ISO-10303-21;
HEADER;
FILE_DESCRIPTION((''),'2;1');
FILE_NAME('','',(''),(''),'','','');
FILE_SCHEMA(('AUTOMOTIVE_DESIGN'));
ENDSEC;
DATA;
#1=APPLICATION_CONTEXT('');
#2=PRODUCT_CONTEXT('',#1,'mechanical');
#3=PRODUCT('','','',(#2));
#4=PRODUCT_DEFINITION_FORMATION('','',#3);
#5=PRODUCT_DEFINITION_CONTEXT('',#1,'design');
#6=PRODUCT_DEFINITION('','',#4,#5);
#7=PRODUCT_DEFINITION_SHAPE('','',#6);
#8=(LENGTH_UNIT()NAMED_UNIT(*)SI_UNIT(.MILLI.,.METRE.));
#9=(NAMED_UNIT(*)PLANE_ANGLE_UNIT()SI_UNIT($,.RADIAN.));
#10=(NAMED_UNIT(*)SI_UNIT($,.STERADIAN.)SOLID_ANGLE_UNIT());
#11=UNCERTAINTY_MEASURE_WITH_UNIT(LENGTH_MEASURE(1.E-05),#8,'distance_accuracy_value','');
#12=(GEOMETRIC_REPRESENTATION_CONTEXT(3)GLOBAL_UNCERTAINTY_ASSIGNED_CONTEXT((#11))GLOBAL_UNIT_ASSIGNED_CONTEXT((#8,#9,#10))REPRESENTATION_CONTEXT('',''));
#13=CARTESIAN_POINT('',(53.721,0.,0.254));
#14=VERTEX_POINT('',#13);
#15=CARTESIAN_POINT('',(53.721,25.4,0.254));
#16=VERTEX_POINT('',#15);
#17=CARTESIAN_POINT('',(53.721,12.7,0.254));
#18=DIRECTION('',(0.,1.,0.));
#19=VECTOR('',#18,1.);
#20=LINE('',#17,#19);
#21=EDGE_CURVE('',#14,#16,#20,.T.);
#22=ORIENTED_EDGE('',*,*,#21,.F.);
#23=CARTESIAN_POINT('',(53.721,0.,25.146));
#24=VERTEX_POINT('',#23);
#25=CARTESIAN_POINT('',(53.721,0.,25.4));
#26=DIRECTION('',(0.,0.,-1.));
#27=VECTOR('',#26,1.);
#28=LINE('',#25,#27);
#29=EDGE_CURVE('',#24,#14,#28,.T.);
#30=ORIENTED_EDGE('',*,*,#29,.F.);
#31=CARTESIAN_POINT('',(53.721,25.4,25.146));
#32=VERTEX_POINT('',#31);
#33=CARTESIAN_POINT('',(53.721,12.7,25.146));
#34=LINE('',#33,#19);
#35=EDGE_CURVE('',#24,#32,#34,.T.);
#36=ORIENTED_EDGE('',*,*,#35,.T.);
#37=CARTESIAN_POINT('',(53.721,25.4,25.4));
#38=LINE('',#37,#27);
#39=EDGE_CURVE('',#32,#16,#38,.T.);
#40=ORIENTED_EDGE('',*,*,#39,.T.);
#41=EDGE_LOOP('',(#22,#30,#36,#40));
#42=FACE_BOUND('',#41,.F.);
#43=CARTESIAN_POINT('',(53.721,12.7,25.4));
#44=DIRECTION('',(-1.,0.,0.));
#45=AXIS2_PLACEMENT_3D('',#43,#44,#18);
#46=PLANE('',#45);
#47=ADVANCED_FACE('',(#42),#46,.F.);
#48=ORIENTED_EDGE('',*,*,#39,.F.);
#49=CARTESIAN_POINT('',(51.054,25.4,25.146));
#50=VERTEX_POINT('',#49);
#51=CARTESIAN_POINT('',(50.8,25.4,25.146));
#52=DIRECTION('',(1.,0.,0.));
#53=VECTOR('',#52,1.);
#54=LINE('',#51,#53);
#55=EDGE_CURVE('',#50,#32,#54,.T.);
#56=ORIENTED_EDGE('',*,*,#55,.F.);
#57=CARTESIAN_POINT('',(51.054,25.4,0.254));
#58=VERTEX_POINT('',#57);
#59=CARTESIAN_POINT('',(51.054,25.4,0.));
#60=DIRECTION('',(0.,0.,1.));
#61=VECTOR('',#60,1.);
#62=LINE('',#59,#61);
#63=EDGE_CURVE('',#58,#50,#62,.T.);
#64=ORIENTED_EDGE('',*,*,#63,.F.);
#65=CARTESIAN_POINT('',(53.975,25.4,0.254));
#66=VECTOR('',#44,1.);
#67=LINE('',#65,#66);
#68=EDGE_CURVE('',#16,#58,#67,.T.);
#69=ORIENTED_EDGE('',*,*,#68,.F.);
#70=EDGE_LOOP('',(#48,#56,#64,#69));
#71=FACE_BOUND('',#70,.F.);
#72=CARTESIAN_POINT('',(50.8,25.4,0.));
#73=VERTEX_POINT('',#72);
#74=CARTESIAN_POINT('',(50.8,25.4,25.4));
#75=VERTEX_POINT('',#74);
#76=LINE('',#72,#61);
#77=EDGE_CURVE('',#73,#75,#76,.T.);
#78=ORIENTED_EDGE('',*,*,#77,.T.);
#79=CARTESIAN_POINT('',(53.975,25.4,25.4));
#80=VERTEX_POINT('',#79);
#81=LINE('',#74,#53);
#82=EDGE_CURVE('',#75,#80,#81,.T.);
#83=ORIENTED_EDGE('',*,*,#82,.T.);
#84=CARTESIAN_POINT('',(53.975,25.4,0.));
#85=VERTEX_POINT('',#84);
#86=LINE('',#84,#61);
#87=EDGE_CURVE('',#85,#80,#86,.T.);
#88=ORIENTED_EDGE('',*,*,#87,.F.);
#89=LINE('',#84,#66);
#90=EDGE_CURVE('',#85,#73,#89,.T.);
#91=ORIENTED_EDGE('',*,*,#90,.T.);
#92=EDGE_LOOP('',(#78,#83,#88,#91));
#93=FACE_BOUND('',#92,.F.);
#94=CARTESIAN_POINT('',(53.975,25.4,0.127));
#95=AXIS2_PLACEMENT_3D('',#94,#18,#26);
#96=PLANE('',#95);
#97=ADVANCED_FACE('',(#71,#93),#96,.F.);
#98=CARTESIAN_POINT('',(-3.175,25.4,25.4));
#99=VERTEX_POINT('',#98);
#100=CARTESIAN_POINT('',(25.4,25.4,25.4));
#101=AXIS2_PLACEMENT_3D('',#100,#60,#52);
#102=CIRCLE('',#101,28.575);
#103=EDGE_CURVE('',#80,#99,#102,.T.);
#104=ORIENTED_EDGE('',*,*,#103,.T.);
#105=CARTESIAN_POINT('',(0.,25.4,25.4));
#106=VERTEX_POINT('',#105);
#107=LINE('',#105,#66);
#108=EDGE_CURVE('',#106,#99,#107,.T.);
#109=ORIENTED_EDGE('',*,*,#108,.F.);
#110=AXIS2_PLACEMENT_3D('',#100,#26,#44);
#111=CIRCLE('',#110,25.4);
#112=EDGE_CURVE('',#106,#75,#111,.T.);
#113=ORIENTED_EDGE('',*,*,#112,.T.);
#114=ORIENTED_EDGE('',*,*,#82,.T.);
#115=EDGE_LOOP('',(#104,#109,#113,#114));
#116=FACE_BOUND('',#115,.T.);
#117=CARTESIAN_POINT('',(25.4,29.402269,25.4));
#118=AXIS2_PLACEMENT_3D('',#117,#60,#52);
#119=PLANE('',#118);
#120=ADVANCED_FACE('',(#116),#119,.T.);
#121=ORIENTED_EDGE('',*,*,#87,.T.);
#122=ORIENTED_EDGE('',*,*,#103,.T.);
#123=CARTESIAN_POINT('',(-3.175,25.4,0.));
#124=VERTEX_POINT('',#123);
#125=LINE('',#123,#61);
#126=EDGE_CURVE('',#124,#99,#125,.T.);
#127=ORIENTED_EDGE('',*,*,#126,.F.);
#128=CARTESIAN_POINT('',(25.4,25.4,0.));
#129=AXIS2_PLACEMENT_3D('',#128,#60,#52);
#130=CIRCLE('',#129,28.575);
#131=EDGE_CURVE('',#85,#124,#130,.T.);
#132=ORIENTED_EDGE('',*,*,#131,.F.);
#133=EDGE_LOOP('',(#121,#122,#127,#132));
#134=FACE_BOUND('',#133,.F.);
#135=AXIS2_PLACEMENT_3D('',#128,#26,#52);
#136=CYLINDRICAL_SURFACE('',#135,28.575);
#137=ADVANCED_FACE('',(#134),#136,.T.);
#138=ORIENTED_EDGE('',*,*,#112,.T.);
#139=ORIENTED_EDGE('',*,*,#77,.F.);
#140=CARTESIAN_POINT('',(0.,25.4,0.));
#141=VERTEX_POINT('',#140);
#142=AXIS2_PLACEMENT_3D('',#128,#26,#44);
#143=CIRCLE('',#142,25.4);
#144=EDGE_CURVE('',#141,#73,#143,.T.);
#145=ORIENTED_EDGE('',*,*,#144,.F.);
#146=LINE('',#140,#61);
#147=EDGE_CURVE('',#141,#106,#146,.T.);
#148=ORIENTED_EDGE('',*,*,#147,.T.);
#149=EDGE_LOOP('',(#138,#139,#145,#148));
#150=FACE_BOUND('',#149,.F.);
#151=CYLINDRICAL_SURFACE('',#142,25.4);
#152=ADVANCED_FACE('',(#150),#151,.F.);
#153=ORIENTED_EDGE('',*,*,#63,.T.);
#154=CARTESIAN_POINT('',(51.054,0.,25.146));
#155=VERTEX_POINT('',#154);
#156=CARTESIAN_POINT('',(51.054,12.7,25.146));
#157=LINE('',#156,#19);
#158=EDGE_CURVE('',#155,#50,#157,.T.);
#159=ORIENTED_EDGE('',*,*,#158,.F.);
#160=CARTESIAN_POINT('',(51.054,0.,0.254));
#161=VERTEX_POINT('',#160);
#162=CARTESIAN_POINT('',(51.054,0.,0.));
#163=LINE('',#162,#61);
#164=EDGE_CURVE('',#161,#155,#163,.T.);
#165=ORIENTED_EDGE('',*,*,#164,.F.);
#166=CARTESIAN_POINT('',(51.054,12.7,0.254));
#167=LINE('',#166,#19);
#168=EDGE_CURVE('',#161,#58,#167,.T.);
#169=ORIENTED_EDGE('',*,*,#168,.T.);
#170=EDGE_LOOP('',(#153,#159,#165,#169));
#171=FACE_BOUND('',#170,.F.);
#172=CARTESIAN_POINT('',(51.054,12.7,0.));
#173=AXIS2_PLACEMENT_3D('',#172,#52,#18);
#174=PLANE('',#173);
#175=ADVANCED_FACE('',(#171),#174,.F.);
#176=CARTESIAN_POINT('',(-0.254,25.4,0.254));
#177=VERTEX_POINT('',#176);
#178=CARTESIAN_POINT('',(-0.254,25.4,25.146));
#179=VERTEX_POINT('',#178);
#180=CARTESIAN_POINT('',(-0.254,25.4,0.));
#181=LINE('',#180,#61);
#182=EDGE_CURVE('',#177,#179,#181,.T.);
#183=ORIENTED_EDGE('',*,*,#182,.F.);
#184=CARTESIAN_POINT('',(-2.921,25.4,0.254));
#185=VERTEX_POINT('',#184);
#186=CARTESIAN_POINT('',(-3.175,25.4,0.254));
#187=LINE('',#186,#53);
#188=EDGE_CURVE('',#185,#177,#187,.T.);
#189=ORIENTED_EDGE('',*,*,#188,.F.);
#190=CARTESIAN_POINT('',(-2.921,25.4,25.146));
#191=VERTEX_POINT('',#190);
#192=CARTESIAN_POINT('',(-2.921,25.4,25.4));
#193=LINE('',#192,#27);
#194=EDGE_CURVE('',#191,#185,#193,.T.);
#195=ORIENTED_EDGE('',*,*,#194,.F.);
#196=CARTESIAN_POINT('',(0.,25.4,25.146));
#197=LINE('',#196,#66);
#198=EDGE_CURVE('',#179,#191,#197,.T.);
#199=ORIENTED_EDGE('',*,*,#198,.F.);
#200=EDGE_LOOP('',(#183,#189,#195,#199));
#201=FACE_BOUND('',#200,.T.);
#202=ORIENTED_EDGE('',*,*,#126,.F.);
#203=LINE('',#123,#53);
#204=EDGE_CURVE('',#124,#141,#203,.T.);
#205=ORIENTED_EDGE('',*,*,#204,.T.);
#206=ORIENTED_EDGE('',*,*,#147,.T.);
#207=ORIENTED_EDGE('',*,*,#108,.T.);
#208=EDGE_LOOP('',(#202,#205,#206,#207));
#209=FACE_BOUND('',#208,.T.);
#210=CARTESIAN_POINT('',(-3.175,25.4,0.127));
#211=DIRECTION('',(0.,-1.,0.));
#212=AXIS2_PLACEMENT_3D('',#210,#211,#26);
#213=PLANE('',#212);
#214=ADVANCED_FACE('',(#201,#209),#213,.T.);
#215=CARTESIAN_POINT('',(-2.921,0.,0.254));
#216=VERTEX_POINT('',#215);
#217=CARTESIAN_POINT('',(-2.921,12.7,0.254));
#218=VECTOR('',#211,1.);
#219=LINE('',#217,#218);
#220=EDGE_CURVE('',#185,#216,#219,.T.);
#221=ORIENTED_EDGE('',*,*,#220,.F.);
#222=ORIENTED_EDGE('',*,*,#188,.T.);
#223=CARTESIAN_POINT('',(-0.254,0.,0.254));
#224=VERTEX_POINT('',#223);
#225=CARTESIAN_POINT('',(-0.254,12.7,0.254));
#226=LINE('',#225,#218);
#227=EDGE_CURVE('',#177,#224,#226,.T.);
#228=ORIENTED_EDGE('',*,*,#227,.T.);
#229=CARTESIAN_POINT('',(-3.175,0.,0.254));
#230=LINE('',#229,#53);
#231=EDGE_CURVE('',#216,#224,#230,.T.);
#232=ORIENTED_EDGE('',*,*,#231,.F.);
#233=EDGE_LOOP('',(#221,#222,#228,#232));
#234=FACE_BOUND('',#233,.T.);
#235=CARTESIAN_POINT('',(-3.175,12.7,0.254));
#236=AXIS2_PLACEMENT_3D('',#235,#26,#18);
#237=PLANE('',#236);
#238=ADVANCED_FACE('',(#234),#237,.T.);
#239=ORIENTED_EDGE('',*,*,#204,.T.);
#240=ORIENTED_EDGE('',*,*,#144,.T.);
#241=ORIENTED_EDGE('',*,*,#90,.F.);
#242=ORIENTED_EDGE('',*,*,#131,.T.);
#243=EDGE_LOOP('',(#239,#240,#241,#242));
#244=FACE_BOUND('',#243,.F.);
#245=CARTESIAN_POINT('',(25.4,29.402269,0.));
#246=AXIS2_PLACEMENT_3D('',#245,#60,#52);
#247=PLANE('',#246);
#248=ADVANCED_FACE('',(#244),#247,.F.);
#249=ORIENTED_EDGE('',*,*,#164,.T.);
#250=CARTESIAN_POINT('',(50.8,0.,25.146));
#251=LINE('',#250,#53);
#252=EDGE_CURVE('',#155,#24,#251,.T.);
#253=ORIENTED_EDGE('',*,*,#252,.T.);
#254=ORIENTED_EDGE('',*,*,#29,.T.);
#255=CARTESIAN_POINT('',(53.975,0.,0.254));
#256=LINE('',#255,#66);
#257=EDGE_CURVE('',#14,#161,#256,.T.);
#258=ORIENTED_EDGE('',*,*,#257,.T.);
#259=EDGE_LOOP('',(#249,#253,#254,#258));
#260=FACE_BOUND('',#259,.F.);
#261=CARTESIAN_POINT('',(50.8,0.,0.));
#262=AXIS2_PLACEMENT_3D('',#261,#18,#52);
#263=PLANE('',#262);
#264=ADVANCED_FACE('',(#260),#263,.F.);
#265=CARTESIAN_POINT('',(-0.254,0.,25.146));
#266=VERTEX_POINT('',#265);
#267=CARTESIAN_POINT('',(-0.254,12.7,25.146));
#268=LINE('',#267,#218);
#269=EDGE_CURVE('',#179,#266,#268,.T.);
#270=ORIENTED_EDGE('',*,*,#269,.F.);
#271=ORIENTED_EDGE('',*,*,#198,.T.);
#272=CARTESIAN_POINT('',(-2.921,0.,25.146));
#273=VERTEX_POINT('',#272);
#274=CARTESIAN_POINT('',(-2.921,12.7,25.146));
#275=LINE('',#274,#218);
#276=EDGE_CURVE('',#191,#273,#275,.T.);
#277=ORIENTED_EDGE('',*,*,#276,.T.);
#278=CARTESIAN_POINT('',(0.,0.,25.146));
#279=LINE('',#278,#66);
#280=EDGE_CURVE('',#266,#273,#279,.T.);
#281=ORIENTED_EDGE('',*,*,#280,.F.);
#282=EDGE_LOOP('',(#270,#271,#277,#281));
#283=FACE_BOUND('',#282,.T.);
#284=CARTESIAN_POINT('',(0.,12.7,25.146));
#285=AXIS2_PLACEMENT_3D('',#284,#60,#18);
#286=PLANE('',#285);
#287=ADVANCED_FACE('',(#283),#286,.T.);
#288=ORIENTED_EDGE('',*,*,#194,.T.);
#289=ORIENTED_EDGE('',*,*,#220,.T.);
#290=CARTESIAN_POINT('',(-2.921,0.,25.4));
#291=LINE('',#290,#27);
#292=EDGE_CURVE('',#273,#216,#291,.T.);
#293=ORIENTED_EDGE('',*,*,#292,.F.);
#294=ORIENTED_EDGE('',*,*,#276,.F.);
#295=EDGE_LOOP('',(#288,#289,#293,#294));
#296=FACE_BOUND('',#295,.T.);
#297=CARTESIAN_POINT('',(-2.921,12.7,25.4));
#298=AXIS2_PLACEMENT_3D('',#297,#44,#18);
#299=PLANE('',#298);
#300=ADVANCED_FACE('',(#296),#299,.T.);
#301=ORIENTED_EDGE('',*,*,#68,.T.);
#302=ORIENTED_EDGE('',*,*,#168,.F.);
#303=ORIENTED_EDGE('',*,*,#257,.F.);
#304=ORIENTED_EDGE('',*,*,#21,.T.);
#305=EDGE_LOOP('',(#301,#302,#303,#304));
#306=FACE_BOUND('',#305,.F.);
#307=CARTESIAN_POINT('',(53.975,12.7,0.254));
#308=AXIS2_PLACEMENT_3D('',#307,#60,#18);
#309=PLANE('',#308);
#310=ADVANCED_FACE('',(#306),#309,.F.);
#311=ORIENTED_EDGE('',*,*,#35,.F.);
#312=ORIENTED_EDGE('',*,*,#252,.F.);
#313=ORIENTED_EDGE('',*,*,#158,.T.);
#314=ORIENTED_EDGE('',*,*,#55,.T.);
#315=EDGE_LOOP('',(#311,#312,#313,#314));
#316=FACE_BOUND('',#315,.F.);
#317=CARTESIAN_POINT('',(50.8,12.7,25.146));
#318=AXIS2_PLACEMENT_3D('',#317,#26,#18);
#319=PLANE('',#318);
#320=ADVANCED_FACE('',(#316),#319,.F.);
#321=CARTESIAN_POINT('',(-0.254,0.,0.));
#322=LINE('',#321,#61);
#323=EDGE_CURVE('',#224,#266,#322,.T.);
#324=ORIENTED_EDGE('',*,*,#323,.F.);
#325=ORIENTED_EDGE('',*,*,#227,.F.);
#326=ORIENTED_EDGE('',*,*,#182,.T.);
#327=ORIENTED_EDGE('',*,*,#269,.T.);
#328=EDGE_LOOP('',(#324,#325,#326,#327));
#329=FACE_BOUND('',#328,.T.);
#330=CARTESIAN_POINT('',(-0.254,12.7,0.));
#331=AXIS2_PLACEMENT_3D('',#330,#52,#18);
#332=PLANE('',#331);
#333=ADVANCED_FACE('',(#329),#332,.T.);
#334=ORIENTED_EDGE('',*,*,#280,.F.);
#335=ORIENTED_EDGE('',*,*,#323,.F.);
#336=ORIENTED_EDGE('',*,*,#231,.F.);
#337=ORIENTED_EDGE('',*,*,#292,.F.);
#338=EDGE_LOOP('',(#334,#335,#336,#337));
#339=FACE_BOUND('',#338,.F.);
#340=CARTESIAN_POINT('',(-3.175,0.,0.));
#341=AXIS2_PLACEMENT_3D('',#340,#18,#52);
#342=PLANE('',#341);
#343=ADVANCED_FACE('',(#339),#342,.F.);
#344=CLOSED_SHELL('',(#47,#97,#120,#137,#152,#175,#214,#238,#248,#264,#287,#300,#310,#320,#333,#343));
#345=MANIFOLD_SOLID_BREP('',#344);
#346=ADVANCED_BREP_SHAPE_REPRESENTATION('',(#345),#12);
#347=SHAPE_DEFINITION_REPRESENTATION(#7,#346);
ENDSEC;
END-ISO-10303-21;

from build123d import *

# Parameters (mm, degrees)
F1_DEPTH = 25.4
F2_W     = 0.254
F2_H     = 25.4
F4_W     = 0.254
F4_H     = 25.4


with BuildPart() as f1:
    # F0 (on Top) → F1 (new body)
    with BuildSketch(Plane.XY):
        with BuildLine():
            Line((-3.175, 0), (0, 0))
            Line((0, 0), (0, 25.4))
            ThreePointArc((0, 25.4), (25.4, 50.8), (50.8, 25.4))
            Line((50.8, 25.4), (50.8, 0))
            Line((50.8, 0), (53.975, 0))
            Line((53.975, 0), (53.975, 25.4))
            ThreePointArc((53.975, 25.4), (25.4, 53.975), (-3.175, 25.4))
            Line((-3.175, 25.4), (-3.175, 0))
        make_face()
    extrude(amount=F1_DEPTH)

    # F3: sweep along a path in F3_path
    with BuildLine(Plane(origin=(-3.175, 0, 25.4), x_dir=(0, 0, -1), z_dir=(0, 1, 0))) as f3_path:
        Line((0, 0), (25.4, 0))
        Line((25.4, 0), (25.4, -3.175))
        Line((25.4, -3.175), (0, -3.175))
        Line((0, -3.175), (0, 0))
    # F2 (on face) → F3 (sweep, cut)
    with BuildSketch(Plane.XY.offset(25.4)):
        with Locations((-3.048, 12.7)):
            Rectangle(F2_W, F2_H)
    sweep(path=f3_path.line, transition=Transition.RIGHT, mode=Mode.SUBTRACT)

    # F5: sweep along a path in F5_path
    with BuildLine(Plane(origin=(50.8, 0, 0), x_dir=(0, 0, 1), z_dir=(0, -1, 0))) as f5_path:
        Line((0, 0), (25.4, 0))
        Line((25.4, 0), (25.4, -3.175))
        Line((25.4, -3.175), (0, -3.175))
        Line((0, -3.175), (0, 0))
    # F4 (on face) → F5 (sweep, cut)
    with BuildSketch(Plane.XY.offset(25.4)):
        with Locations((50.927, 12.7)):
            Rectangle(F4_W, F4_H)
    sweep(path=f5_path.line, transition=Transition.RIGHT, mode=Mode.SUBTRACT)


solid = f1.part
